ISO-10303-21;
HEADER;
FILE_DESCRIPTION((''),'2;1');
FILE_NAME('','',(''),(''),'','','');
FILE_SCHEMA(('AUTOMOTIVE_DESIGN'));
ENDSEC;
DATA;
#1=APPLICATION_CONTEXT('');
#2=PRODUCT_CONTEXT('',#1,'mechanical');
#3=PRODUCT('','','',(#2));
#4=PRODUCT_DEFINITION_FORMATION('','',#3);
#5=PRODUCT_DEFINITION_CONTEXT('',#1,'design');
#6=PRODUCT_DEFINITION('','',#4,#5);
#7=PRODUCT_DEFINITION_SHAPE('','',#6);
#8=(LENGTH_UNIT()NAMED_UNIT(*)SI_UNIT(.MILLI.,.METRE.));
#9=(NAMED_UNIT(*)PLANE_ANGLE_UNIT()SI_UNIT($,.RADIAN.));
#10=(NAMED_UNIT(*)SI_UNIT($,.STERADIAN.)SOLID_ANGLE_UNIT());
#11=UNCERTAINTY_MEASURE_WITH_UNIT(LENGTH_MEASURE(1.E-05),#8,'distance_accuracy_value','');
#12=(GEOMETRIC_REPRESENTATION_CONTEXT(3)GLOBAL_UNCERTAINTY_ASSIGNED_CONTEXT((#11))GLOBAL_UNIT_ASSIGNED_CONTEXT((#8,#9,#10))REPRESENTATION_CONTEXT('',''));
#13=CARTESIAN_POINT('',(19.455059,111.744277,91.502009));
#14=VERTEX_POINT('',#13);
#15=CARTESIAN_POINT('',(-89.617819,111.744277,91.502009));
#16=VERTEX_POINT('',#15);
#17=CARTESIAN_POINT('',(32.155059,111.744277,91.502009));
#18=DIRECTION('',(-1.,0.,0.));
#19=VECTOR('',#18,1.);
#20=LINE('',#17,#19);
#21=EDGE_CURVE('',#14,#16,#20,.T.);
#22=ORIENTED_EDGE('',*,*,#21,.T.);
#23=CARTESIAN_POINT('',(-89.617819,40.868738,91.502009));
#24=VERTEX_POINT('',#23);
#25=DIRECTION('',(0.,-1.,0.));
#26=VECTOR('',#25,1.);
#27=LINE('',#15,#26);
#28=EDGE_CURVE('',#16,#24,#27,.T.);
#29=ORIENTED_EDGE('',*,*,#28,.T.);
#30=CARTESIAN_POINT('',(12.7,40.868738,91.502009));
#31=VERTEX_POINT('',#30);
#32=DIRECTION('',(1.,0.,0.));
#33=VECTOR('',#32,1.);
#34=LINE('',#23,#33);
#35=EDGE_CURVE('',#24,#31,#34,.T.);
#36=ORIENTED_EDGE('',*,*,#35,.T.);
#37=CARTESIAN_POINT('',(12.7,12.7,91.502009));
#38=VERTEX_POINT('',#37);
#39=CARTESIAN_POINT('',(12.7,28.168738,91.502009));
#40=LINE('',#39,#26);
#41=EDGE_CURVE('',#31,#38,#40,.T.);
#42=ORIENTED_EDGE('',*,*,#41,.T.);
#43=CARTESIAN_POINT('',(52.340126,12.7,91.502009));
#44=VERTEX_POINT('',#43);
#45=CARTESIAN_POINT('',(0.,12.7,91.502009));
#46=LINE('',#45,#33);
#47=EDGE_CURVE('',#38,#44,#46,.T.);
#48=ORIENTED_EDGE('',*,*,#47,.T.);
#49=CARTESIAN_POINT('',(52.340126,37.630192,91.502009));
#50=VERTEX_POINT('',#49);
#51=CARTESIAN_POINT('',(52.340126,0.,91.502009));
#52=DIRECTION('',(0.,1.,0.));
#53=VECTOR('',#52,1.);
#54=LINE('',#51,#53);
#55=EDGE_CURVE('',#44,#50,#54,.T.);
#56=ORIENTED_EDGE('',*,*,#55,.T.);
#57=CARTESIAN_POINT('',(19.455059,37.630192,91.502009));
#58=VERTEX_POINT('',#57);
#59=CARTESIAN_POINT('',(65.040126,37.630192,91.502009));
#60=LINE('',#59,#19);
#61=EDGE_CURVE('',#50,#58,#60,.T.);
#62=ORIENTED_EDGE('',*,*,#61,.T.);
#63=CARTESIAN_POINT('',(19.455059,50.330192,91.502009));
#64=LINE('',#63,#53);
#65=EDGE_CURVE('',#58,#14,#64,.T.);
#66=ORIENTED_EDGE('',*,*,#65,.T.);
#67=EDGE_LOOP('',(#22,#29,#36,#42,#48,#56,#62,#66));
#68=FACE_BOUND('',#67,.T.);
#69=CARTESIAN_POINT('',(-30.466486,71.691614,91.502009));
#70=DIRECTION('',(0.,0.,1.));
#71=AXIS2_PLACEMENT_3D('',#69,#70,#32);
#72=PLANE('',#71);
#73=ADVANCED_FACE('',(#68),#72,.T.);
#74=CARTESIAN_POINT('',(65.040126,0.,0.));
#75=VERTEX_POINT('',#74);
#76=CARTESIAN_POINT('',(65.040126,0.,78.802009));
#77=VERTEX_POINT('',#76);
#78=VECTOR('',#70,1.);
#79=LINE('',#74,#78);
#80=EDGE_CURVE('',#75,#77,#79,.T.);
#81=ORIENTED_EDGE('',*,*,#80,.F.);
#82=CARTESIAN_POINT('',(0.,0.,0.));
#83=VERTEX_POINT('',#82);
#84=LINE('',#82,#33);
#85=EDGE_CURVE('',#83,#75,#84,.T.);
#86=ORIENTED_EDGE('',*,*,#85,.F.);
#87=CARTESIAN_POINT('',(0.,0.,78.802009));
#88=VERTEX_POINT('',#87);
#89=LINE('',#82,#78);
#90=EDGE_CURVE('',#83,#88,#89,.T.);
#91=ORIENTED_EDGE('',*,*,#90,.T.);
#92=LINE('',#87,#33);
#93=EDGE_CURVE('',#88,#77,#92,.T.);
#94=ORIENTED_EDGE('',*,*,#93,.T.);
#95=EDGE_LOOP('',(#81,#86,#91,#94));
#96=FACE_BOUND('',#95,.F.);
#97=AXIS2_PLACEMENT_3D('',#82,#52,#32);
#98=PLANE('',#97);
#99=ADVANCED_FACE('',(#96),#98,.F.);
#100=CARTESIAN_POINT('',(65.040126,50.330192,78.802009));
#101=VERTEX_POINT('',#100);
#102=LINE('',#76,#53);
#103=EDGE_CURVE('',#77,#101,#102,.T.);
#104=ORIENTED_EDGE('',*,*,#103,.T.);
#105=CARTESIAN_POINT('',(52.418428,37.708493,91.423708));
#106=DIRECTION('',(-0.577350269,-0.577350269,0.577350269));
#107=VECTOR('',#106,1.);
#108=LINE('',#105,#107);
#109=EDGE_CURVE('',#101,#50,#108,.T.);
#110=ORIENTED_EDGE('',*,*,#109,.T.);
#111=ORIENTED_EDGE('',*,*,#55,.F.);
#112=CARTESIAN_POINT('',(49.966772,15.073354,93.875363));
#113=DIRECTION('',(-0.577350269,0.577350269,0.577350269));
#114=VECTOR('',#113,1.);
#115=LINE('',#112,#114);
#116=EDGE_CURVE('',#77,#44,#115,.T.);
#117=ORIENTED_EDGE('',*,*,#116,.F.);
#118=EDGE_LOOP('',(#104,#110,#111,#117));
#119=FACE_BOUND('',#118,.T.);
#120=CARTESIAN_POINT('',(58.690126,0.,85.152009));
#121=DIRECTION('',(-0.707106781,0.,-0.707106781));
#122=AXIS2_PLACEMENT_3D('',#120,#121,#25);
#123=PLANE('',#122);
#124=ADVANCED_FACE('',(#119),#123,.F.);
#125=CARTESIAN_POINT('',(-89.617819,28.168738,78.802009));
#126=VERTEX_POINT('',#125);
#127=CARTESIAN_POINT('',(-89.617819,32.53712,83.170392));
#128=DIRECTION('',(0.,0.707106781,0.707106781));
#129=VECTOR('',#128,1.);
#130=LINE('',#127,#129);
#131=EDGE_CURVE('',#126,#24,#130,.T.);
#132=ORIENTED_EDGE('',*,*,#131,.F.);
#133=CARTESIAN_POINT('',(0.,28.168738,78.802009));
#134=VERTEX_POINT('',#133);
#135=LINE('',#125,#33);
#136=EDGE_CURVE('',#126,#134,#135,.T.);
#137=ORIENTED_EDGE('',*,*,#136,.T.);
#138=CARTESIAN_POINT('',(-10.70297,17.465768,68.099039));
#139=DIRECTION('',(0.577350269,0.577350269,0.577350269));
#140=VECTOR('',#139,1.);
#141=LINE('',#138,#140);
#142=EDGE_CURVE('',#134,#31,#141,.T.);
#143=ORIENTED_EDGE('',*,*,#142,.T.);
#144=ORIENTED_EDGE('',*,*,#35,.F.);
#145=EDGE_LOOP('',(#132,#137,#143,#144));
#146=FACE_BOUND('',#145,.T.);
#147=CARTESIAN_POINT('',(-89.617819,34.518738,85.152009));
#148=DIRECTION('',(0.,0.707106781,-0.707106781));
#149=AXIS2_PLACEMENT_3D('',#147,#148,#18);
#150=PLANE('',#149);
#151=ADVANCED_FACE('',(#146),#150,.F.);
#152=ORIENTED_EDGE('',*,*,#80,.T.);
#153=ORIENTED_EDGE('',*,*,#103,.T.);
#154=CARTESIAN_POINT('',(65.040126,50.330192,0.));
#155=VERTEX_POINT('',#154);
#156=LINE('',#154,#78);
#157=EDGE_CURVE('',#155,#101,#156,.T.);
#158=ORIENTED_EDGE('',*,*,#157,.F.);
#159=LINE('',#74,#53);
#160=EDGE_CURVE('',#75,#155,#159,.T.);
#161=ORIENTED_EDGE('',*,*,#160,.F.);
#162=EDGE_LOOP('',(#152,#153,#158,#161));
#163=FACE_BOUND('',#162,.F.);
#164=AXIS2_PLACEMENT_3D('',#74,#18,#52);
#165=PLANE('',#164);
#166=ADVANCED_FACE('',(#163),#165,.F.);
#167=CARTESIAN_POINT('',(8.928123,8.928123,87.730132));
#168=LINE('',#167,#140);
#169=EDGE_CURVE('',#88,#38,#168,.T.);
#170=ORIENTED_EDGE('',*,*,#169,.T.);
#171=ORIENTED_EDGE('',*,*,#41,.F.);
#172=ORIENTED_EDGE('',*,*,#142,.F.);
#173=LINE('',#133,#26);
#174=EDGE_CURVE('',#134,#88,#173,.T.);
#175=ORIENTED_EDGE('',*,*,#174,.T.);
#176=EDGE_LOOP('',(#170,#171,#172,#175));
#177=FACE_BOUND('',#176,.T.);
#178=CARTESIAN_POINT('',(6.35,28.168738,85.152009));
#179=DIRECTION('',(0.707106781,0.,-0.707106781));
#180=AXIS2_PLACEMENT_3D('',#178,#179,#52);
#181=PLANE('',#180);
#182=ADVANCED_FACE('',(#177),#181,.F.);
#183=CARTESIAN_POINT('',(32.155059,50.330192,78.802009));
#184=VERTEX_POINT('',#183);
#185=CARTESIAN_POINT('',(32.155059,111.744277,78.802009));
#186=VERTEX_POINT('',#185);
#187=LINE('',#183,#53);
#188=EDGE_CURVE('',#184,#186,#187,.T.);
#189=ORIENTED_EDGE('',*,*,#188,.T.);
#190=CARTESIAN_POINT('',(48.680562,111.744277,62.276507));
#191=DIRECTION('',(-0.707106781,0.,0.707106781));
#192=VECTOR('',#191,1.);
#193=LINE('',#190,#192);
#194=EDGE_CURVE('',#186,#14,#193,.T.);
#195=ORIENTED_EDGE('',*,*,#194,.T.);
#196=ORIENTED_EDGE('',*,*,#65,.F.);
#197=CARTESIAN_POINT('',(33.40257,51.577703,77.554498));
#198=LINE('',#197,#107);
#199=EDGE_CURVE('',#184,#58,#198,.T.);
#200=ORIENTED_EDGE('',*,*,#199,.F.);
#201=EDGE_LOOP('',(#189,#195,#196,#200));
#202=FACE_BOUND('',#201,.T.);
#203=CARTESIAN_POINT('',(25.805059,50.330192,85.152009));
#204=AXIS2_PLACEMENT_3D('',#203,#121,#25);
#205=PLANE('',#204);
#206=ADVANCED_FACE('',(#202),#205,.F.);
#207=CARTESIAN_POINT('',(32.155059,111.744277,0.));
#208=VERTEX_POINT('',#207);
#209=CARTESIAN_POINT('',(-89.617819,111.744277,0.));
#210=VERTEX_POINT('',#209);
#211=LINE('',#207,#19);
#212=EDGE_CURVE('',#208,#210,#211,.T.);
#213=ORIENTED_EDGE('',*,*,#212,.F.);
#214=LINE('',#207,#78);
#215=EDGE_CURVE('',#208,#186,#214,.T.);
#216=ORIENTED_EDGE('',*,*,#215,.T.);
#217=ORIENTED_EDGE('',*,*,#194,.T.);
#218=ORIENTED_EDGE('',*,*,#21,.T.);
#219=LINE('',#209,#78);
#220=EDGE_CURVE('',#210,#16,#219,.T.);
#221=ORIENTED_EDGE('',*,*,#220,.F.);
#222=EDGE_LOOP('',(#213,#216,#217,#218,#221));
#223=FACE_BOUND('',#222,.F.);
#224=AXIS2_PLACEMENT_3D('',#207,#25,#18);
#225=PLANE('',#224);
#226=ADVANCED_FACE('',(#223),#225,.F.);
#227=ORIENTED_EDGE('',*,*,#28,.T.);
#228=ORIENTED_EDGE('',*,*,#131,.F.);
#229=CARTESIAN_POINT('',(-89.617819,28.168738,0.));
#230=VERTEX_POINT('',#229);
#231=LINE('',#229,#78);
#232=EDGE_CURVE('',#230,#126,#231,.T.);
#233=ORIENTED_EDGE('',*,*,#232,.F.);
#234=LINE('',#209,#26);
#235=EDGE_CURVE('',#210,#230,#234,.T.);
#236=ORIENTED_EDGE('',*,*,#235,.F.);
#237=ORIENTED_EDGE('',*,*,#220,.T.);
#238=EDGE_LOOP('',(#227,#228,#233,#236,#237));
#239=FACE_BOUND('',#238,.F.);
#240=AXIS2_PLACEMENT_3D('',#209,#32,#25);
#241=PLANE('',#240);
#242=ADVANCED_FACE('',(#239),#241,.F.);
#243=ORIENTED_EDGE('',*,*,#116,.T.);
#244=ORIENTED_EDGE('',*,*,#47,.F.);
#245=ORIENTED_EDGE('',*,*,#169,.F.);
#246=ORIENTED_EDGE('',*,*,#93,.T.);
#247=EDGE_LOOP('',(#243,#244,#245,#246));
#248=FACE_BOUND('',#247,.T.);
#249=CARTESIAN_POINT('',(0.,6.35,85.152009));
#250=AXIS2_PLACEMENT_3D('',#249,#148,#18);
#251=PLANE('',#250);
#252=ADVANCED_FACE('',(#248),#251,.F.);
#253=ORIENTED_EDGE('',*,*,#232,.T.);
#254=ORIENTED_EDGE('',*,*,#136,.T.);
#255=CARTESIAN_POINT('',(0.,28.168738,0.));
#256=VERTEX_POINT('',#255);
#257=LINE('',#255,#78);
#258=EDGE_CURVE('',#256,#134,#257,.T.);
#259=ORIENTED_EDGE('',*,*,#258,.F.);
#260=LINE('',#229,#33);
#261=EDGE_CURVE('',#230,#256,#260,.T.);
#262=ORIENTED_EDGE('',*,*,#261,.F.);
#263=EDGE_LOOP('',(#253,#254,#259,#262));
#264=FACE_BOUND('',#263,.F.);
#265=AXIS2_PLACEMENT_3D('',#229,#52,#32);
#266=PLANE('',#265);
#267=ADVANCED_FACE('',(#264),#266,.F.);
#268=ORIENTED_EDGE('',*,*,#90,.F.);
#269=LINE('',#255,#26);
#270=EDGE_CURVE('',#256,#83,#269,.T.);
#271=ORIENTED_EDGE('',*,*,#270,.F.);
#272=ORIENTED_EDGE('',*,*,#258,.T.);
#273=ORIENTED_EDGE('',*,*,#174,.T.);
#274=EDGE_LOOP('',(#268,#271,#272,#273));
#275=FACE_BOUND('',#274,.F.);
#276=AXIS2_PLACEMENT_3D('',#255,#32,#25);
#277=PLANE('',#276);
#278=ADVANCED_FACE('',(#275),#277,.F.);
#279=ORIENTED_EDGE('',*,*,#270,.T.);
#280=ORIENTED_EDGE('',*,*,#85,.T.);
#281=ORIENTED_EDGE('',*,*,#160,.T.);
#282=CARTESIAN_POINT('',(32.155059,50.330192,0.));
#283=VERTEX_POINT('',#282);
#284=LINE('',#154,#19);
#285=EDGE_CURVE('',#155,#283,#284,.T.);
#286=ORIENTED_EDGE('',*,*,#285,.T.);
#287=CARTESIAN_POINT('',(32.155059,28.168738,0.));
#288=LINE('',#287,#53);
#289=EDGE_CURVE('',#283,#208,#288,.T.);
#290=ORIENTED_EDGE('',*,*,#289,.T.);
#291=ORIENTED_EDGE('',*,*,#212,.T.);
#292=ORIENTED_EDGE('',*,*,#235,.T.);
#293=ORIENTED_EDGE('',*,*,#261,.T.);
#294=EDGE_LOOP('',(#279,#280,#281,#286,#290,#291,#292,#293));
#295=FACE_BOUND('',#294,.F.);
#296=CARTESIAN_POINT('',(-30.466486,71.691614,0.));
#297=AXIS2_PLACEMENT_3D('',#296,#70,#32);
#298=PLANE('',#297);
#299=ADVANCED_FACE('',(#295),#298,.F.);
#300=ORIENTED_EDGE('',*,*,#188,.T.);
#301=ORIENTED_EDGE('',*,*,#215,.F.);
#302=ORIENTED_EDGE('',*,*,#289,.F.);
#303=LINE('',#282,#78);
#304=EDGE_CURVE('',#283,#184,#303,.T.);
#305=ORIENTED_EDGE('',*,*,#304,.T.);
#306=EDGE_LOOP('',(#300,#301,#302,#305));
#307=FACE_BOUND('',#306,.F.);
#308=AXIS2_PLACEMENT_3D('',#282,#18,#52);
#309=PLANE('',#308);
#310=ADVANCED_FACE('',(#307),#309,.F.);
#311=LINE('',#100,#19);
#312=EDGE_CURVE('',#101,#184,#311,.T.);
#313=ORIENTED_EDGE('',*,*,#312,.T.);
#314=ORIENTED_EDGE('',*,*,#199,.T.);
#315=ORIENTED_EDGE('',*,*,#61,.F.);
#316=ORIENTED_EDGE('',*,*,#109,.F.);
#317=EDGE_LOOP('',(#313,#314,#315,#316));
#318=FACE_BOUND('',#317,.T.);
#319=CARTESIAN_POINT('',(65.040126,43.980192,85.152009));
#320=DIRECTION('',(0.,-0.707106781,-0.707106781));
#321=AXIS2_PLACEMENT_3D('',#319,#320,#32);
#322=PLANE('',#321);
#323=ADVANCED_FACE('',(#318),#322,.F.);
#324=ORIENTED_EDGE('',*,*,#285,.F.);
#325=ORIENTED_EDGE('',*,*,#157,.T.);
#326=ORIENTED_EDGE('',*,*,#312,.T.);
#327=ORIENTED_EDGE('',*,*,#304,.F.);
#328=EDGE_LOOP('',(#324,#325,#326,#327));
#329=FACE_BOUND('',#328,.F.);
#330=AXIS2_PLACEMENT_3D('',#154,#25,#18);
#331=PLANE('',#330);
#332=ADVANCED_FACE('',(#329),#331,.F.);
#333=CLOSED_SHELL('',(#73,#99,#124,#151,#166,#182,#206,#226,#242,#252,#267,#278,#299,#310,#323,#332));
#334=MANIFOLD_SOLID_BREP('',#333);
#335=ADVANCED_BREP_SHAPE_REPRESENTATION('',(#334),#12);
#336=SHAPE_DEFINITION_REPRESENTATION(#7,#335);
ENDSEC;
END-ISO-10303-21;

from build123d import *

# Parameters (mm, degrees)
F0_W     = 32.155059278
F0_H     = 22.1614539623
F1_DEPTH = 91.5020089597
F2_SIZE  = 12.7


with BuildPart() as f1:
    # F0 (on Top) → F1 (new body)
    with BuildSketch(Plane.XY):
        Polygon((0, 28.1687378883), (0, 50.3301918507), (32.155059278, 50.3301918507), (32.155059278, 111.7442771792), (-89.617818594, 111.7442771792), (-89.617818594, 28.1687378883), align=None)
        with Locations((16.077529639, 39.2494648695)):
            Rectangle(F0_W, F0_H)
        Polygon((65.0401264429, 50.3301918507), (32.155059278, 50.3301918507), (32.155059278, 28.1687378883), (0, 28.1687378883), (0, 0), (65.0401264429, 0), align=None)
    extrude(amount=F1_DEPTH)

    # F2
    f2_edges = [f1.edges().sort_by_distance(p)[0] for p in [
        (-44.808909, 28.168738, 91.502009),
        (0, 14.084369, 91.502009),
        (32.520063, 0, 91.502009),
        (65.040126, 25.165096, 91.502009),
        (48.597593, 50.330192, 91.502009),
        (32.155059, 81.037235, 91.502009),
    ]]
    chamfer(f2_edges, length=F2_SIZE)


solid = f1.part
